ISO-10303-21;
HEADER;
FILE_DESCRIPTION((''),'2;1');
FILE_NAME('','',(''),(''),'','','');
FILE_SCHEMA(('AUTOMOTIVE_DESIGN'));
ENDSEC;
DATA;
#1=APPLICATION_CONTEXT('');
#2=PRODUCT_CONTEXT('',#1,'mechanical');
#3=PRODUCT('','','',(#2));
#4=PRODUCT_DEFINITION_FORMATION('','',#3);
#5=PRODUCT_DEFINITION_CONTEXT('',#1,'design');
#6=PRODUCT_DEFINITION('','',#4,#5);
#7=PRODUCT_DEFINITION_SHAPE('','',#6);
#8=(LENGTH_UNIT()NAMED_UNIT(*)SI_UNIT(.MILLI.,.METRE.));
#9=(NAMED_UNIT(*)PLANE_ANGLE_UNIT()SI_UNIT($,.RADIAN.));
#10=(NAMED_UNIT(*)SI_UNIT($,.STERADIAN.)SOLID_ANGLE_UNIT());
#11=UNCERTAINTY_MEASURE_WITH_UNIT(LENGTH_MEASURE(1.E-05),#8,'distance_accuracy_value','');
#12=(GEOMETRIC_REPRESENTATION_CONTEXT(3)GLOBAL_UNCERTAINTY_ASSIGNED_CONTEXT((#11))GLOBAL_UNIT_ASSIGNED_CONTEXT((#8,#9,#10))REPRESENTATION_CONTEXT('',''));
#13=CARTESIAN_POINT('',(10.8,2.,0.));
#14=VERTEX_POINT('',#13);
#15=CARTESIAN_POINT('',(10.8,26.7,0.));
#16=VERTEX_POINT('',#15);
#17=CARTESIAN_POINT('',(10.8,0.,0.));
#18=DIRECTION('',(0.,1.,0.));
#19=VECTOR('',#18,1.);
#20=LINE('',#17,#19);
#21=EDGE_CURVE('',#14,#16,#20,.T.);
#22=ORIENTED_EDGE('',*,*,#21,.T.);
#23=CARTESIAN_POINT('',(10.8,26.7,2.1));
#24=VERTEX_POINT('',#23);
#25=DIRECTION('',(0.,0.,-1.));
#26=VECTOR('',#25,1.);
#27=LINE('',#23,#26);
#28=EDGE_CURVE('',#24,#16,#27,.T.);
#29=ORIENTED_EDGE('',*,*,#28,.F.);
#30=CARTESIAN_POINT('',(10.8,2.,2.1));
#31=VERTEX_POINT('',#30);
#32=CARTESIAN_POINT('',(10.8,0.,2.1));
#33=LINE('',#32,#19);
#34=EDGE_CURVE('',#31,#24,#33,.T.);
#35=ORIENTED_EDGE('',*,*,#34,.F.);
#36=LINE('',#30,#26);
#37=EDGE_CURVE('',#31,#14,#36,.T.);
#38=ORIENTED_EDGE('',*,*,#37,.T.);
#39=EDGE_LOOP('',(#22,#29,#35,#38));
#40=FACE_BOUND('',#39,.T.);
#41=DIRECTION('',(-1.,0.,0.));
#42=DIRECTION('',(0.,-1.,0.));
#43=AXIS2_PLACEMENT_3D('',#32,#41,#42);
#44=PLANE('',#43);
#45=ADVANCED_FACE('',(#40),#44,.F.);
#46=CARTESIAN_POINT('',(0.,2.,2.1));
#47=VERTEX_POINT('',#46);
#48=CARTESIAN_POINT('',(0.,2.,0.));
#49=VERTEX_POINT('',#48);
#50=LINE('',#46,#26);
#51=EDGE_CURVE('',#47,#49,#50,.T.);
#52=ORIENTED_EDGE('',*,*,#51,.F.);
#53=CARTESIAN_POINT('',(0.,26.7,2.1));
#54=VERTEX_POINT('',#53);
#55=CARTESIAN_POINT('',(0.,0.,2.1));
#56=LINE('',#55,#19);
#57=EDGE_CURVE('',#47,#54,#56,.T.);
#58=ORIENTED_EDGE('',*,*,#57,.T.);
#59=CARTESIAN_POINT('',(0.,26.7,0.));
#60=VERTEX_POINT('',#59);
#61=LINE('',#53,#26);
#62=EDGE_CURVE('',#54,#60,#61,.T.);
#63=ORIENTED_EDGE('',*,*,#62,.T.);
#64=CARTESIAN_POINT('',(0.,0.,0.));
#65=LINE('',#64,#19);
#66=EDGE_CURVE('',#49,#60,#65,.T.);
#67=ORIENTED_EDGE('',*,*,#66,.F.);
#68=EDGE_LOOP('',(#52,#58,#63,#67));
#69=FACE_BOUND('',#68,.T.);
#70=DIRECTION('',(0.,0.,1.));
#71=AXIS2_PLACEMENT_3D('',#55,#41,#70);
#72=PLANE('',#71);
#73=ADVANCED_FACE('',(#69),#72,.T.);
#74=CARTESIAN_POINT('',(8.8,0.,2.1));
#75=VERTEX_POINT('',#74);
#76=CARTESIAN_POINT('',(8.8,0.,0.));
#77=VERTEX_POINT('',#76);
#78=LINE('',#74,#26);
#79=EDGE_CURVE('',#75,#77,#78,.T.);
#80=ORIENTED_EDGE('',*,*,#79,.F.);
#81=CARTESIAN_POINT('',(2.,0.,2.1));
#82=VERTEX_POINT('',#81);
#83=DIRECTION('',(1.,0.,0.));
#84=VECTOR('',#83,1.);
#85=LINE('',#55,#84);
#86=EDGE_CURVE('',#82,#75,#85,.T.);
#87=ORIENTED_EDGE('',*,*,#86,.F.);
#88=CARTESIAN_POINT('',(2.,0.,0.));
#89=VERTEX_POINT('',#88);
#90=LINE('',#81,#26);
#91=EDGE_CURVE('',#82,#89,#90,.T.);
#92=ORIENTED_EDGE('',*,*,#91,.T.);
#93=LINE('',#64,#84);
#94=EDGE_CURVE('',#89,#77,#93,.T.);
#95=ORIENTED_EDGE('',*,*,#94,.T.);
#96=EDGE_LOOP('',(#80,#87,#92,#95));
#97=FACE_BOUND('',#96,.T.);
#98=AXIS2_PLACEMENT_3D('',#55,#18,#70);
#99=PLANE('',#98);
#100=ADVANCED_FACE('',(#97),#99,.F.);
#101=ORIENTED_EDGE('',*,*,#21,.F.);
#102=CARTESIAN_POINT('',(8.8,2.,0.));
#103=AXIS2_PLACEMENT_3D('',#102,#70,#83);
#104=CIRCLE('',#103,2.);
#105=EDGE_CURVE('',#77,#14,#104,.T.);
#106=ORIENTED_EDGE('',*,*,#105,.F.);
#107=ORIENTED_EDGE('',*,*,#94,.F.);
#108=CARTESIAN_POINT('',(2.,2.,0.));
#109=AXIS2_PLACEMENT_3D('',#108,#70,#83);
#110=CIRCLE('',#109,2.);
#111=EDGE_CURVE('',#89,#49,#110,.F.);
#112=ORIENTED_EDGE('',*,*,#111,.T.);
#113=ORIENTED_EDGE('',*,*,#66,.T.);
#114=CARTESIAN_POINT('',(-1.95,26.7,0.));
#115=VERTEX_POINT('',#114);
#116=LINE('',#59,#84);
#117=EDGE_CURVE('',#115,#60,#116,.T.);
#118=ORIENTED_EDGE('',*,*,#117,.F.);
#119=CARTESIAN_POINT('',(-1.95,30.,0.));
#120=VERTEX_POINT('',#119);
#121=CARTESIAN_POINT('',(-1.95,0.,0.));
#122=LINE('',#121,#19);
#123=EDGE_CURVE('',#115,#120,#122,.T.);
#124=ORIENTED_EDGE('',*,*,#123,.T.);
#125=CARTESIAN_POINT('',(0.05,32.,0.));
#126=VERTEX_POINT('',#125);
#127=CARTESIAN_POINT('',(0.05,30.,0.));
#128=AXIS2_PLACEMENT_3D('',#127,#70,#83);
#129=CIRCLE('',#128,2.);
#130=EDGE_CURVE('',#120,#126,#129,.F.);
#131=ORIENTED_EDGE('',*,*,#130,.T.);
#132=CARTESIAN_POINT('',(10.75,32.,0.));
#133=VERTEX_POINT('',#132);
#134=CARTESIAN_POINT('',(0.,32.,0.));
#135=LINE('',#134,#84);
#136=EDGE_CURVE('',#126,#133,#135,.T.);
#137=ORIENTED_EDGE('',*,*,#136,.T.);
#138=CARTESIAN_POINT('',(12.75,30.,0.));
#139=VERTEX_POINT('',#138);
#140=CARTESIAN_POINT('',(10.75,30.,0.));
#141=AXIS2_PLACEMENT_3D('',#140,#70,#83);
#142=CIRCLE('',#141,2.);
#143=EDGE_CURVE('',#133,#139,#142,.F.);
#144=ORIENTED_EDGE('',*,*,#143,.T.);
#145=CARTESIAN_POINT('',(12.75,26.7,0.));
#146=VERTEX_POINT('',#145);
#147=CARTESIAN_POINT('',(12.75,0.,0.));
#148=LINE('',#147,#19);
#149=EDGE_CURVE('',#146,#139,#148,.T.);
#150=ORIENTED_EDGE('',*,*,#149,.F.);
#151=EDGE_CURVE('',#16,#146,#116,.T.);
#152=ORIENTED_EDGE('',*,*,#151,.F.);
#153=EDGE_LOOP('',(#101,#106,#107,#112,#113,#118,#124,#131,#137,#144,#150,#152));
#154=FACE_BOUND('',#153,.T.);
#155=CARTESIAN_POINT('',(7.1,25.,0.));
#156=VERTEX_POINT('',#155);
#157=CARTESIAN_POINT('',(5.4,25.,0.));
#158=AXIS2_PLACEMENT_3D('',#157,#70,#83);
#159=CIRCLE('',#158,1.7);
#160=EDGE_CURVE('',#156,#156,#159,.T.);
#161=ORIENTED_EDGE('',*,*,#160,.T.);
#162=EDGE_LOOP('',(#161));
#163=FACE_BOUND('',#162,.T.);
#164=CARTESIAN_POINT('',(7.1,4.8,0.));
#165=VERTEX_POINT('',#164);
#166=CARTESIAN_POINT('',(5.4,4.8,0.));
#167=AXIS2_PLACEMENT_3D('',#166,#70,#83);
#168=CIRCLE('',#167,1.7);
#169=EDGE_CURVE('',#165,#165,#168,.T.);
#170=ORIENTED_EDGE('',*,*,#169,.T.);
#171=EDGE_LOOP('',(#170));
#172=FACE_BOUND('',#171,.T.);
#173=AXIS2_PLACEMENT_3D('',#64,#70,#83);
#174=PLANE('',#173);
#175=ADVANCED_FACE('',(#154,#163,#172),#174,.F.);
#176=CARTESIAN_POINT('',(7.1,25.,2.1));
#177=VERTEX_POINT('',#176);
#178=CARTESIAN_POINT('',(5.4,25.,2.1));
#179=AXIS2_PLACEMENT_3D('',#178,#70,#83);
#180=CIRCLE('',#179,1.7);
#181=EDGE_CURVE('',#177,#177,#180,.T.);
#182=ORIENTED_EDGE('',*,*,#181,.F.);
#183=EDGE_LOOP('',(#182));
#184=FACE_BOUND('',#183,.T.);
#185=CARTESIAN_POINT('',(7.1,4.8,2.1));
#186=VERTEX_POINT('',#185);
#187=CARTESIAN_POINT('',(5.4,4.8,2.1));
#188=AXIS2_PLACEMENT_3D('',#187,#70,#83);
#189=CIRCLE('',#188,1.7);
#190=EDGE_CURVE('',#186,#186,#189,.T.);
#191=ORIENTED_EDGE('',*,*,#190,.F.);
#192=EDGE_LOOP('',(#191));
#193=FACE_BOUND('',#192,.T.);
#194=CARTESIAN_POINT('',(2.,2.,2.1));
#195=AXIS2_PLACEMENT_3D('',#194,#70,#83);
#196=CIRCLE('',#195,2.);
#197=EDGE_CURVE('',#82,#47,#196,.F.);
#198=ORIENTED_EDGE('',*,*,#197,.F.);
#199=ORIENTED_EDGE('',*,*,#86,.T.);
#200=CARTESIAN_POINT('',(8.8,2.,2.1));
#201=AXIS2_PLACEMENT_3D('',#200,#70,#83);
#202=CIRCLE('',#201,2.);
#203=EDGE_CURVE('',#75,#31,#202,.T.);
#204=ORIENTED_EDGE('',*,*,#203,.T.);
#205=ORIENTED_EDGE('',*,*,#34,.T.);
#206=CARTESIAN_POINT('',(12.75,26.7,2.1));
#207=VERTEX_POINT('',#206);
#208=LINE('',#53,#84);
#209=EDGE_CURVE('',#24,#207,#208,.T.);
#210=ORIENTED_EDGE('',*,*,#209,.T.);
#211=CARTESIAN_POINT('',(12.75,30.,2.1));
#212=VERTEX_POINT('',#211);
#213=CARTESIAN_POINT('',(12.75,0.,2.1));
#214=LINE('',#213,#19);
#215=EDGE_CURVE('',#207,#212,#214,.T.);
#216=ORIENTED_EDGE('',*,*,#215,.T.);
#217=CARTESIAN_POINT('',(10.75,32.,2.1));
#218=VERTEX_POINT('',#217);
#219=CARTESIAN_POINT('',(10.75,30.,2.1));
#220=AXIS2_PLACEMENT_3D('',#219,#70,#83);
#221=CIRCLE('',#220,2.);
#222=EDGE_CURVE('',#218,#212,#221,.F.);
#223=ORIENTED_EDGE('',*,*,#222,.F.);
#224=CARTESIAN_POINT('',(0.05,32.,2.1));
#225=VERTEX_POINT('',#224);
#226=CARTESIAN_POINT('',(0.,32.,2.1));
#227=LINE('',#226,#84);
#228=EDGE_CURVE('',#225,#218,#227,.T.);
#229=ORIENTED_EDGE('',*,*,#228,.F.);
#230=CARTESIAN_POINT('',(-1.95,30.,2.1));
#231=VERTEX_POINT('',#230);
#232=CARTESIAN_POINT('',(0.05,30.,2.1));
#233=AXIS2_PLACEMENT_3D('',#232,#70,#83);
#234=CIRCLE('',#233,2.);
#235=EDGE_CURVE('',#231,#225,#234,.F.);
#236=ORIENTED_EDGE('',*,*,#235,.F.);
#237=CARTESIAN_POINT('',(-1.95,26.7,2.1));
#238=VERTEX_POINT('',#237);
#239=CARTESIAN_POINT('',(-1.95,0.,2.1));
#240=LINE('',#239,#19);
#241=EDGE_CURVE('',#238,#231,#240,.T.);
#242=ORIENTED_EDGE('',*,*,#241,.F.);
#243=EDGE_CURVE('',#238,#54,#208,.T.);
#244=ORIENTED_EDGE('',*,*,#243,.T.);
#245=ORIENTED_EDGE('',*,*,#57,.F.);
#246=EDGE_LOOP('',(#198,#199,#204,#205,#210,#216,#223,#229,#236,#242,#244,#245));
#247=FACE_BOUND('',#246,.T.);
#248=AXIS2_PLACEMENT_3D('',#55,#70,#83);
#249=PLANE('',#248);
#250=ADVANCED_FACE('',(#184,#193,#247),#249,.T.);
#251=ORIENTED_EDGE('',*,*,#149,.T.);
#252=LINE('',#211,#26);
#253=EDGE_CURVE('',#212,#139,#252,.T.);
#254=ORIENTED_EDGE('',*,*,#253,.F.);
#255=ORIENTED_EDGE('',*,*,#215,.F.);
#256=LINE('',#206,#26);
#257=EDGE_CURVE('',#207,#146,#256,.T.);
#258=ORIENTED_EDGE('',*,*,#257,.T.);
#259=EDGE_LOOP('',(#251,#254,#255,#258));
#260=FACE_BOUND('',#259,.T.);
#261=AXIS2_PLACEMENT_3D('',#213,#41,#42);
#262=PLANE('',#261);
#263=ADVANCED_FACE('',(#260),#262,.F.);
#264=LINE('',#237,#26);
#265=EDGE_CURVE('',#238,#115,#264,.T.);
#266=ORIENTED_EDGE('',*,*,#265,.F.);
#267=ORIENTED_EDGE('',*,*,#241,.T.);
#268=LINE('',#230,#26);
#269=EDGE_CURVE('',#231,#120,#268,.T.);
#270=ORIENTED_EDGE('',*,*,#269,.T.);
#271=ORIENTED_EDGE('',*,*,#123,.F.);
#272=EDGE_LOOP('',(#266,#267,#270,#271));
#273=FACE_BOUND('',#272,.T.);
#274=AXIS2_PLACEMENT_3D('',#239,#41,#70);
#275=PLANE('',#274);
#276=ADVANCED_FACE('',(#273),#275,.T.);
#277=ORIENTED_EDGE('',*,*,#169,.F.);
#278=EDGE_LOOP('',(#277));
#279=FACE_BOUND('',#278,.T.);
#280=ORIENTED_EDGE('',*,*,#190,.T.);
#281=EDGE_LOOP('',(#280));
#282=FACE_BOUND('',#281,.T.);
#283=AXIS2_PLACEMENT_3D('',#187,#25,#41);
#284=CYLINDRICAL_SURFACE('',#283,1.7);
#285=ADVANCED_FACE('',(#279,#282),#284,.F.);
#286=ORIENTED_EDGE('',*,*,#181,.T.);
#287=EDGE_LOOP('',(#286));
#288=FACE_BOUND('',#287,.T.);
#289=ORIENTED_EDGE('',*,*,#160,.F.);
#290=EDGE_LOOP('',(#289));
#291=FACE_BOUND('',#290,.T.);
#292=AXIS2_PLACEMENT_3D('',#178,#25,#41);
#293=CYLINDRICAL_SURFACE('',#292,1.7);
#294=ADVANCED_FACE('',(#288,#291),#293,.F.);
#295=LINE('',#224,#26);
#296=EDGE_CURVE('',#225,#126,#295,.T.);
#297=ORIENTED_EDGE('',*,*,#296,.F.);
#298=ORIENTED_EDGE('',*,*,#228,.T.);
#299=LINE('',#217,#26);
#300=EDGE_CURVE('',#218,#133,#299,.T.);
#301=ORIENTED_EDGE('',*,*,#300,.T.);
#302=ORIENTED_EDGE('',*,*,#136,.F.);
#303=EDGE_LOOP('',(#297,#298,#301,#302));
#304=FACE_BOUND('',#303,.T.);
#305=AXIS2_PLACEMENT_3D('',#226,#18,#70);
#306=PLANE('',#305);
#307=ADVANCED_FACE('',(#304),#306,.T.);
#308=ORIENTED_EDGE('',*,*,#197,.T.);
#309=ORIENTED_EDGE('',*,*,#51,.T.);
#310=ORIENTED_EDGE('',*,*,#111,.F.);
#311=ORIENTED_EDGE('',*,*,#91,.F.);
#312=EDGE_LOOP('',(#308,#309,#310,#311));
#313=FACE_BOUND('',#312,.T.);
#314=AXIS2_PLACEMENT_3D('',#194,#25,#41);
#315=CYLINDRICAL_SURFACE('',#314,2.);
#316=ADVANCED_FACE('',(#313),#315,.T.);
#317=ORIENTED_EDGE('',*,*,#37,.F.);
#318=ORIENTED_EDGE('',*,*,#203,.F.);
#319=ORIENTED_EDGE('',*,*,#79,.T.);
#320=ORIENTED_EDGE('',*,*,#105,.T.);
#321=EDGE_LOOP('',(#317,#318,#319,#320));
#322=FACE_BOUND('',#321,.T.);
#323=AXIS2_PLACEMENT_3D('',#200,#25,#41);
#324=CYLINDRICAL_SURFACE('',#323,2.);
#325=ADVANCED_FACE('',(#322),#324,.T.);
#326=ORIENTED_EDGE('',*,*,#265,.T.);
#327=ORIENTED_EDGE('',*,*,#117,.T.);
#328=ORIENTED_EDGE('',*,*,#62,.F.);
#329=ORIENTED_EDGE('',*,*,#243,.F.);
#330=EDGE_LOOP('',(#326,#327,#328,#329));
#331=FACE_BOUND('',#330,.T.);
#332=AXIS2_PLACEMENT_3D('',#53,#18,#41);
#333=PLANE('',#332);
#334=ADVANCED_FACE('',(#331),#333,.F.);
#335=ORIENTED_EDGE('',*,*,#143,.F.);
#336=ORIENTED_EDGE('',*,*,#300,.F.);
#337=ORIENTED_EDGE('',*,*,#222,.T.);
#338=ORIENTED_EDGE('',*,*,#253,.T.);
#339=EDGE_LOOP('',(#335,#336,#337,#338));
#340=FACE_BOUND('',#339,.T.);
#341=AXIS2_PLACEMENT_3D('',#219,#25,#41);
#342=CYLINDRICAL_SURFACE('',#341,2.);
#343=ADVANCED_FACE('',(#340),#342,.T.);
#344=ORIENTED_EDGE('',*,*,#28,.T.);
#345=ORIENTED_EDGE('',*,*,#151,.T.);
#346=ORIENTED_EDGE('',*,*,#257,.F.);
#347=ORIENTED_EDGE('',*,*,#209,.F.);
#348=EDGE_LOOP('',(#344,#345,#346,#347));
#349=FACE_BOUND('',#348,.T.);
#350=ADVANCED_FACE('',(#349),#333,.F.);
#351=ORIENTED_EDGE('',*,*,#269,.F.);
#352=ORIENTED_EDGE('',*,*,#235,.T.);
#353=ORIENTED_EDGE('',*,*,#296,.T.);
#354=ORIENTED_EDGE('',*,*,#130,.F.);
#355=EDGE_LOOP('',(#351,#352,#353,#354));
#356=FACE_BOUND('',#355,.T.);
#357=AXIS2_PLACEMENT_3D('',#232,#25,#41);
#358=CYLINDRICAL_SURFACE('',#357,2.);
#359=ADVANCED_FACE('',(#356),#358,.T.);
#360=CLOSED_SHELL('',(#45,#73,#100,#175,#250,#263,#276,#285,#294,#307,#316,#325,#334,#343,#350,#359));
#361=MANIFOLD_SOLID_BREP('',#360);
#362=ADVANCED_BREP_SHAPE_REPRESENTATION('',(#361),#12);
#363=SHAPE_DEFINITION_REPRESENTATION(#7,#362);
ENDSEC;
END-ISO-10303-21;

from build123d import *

# Parameters (mm, degrees)
SKETCH1_R           = 1.7
BOSS_EXTRUDE1_DEPTH = 2.1


with BuildPart() as part:
    # Sketch1 → Boss-Extrude1 (new body)
    with BuildSketch(Plane.XY):
        with BuildLine():
            ThreePointArc((0, 2), (0.585786438, 0.585786438), (2, 0))
            Line((2, 0), (8.8, 0))
            ThreePointArc((8.8, 0), (10.214213562, 0.585786438), (10.8, 2))
            Line((10.8, 2), (10.8, 26.7))
            Line((10.8, 26.7), (12.75, 26.7))
            Line((12.75, 26.7), (12.75, 30))
            ThreePointArc((12.75, 30), (12.164213562, 31.414213562), (10.75, 32))
            Line((10.75, 32), (0.05, 32))
            ThreePointArc((0.05, 32), (-1.364213562, 31.414213562), (-1.95, 30))
            Line((-1.95, 30), (-1.95, 26.7))
            Line((-1.95, 26.7), (0, 26.7))
            Line((0, 26.7), (0, 2))
        make_face()
        with Locations((5.4, 4.8)):
            Circle(SKETCH1_R, mode=Mode.SUBTRACT)
        with Locations((5.4, 25)):
            Circle(SKETCH1_R, mode=Mode.SUBTRACT)
    extrude(amount=BOSS_EXTRUDE1_DEPTH)


solid = part.part
